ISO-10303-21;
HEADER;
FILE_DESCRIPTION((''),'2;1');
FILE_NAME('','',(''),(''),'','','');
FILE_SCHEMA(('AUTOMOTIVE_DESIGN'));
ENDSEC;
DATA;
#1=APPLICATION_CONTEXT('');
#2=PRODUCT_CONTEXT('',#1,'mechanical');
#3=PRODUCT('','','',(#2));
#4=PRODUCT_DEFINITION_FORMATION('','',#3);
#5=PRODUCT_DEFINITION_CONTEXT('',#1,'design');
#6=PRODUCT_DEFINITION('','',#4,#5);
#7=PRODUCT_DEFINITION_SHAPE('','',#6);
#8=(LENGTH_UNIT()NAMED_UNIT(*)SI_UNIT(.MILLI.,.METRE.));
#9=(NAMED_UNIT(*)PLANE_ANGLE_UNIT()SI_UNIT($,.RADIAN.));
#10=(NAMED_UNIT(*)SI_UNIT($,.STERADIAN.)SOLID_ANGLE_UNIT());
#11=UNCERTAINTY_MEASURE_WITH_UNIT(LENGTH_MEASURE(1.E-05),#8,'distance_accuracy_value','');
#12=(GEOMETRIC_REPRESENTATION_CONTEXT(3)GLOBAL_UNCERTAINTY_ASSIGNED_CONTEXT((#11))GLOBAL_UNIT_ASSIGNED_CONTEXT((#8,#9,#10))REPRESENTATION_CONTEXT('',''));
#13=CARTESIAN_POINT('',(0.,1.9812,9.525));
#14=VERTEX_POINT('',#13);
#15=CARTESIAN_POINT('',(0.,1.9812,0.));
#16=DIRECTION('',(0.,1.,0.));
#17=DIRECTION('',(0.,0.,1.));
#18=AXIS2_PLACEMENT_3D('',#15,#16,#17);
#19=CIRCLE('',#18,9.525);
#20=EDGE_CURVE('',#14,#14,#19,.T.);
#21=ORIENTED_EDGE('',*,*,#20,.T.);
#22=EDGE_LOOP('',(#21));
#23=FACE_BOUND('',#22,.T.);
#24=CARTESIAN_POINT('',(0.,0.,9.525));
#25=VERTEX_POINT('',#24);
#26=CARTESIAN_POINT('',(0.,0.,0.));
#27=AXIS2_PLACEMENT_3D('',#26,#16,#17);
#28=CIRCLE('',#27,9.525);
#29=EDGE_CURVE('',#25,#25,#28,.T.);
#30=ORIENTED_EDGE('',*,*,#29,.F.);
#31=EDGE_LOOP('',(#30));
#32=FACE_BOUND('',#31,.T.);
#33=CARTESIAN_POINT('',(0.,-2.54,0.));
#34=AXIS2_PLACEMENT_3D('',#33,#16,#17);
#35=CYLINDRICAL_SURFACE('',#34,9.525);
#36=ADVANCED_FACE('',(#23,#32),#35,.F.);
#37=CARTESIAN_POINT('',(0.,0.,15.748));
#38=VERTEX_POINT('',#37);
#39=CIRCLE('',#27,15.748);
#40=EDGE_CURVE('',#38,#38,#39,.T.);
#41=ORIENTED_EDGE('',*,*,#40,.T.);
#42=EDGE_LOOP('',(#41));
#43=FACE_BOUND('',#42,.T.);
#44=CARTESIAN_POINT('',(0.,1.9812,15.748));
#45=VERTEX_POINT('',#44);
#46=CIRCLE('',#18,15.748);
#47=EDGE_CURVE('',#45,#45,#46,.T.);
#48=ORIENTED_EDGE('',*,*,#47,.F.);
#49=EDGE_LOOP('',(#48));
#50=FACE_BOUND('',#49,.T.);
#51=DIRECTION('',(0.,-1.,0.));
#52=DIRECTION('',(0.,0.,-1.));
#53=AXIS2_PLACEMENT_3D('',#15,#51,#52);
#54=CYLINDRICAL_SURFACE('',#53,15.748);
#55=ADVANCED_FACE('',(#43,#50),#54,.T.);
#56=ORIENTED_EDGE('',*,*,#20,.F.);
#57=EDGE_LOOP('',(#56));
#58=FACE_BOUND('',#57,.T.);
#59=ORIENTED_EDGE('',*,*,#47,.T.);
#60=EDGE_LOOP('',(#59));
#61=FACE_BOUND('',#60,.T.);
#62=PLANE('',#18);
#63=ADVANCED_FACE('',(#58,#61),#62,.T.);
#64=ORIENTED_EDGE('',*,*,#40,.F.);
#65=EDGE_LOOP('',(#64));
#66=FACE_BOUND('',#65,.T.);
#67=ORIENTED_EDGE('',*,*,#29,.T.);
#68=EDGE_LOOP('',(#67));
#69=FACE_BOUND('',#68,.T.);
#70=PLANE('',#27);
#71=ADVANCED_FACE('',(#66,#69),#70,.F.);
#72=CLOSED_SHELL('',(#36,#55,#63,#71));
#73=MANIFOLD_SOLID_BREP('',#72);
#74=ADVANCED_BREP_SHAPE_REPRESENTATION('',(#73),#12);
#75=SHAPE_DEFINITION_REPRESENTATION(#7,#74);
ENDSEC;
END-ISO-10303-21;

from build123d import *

# Parameters (mm, degrees)
SKETCH1_R           = 15.748
BOSS_EXTRUDE1_DEPTH = 1.9812
SKETCH2_R           = 9.525
CUT_EXTRUDE1_DEPTH  = 4.5212


with BuildPart() as part:
    # Sketch1 → Boss-Extrude1 (new body)
    with BuildSketch(Plane(origin=(0, 0, 0), x_dir=(1, 0, 0), z_dir=(0, 1, 0))):
        Circle(SKETCH1_R)
    extrude(amount=BOSS_EXTRUDE1_DEPTH)

    # Sketch2 → Cut-Extrude1 (cut)
    with BuildSketch(Plane(origin=(0, 1.9812, 0), x_dir=(1, 0, 0), z_dir=(0, 1, 0))):
        Circle(SKETCH2_R)
    extrude(amount=-CUT_EXTRUDE1_DEPTH, mode=Mode.SUBTRACT)


solid = part.part
